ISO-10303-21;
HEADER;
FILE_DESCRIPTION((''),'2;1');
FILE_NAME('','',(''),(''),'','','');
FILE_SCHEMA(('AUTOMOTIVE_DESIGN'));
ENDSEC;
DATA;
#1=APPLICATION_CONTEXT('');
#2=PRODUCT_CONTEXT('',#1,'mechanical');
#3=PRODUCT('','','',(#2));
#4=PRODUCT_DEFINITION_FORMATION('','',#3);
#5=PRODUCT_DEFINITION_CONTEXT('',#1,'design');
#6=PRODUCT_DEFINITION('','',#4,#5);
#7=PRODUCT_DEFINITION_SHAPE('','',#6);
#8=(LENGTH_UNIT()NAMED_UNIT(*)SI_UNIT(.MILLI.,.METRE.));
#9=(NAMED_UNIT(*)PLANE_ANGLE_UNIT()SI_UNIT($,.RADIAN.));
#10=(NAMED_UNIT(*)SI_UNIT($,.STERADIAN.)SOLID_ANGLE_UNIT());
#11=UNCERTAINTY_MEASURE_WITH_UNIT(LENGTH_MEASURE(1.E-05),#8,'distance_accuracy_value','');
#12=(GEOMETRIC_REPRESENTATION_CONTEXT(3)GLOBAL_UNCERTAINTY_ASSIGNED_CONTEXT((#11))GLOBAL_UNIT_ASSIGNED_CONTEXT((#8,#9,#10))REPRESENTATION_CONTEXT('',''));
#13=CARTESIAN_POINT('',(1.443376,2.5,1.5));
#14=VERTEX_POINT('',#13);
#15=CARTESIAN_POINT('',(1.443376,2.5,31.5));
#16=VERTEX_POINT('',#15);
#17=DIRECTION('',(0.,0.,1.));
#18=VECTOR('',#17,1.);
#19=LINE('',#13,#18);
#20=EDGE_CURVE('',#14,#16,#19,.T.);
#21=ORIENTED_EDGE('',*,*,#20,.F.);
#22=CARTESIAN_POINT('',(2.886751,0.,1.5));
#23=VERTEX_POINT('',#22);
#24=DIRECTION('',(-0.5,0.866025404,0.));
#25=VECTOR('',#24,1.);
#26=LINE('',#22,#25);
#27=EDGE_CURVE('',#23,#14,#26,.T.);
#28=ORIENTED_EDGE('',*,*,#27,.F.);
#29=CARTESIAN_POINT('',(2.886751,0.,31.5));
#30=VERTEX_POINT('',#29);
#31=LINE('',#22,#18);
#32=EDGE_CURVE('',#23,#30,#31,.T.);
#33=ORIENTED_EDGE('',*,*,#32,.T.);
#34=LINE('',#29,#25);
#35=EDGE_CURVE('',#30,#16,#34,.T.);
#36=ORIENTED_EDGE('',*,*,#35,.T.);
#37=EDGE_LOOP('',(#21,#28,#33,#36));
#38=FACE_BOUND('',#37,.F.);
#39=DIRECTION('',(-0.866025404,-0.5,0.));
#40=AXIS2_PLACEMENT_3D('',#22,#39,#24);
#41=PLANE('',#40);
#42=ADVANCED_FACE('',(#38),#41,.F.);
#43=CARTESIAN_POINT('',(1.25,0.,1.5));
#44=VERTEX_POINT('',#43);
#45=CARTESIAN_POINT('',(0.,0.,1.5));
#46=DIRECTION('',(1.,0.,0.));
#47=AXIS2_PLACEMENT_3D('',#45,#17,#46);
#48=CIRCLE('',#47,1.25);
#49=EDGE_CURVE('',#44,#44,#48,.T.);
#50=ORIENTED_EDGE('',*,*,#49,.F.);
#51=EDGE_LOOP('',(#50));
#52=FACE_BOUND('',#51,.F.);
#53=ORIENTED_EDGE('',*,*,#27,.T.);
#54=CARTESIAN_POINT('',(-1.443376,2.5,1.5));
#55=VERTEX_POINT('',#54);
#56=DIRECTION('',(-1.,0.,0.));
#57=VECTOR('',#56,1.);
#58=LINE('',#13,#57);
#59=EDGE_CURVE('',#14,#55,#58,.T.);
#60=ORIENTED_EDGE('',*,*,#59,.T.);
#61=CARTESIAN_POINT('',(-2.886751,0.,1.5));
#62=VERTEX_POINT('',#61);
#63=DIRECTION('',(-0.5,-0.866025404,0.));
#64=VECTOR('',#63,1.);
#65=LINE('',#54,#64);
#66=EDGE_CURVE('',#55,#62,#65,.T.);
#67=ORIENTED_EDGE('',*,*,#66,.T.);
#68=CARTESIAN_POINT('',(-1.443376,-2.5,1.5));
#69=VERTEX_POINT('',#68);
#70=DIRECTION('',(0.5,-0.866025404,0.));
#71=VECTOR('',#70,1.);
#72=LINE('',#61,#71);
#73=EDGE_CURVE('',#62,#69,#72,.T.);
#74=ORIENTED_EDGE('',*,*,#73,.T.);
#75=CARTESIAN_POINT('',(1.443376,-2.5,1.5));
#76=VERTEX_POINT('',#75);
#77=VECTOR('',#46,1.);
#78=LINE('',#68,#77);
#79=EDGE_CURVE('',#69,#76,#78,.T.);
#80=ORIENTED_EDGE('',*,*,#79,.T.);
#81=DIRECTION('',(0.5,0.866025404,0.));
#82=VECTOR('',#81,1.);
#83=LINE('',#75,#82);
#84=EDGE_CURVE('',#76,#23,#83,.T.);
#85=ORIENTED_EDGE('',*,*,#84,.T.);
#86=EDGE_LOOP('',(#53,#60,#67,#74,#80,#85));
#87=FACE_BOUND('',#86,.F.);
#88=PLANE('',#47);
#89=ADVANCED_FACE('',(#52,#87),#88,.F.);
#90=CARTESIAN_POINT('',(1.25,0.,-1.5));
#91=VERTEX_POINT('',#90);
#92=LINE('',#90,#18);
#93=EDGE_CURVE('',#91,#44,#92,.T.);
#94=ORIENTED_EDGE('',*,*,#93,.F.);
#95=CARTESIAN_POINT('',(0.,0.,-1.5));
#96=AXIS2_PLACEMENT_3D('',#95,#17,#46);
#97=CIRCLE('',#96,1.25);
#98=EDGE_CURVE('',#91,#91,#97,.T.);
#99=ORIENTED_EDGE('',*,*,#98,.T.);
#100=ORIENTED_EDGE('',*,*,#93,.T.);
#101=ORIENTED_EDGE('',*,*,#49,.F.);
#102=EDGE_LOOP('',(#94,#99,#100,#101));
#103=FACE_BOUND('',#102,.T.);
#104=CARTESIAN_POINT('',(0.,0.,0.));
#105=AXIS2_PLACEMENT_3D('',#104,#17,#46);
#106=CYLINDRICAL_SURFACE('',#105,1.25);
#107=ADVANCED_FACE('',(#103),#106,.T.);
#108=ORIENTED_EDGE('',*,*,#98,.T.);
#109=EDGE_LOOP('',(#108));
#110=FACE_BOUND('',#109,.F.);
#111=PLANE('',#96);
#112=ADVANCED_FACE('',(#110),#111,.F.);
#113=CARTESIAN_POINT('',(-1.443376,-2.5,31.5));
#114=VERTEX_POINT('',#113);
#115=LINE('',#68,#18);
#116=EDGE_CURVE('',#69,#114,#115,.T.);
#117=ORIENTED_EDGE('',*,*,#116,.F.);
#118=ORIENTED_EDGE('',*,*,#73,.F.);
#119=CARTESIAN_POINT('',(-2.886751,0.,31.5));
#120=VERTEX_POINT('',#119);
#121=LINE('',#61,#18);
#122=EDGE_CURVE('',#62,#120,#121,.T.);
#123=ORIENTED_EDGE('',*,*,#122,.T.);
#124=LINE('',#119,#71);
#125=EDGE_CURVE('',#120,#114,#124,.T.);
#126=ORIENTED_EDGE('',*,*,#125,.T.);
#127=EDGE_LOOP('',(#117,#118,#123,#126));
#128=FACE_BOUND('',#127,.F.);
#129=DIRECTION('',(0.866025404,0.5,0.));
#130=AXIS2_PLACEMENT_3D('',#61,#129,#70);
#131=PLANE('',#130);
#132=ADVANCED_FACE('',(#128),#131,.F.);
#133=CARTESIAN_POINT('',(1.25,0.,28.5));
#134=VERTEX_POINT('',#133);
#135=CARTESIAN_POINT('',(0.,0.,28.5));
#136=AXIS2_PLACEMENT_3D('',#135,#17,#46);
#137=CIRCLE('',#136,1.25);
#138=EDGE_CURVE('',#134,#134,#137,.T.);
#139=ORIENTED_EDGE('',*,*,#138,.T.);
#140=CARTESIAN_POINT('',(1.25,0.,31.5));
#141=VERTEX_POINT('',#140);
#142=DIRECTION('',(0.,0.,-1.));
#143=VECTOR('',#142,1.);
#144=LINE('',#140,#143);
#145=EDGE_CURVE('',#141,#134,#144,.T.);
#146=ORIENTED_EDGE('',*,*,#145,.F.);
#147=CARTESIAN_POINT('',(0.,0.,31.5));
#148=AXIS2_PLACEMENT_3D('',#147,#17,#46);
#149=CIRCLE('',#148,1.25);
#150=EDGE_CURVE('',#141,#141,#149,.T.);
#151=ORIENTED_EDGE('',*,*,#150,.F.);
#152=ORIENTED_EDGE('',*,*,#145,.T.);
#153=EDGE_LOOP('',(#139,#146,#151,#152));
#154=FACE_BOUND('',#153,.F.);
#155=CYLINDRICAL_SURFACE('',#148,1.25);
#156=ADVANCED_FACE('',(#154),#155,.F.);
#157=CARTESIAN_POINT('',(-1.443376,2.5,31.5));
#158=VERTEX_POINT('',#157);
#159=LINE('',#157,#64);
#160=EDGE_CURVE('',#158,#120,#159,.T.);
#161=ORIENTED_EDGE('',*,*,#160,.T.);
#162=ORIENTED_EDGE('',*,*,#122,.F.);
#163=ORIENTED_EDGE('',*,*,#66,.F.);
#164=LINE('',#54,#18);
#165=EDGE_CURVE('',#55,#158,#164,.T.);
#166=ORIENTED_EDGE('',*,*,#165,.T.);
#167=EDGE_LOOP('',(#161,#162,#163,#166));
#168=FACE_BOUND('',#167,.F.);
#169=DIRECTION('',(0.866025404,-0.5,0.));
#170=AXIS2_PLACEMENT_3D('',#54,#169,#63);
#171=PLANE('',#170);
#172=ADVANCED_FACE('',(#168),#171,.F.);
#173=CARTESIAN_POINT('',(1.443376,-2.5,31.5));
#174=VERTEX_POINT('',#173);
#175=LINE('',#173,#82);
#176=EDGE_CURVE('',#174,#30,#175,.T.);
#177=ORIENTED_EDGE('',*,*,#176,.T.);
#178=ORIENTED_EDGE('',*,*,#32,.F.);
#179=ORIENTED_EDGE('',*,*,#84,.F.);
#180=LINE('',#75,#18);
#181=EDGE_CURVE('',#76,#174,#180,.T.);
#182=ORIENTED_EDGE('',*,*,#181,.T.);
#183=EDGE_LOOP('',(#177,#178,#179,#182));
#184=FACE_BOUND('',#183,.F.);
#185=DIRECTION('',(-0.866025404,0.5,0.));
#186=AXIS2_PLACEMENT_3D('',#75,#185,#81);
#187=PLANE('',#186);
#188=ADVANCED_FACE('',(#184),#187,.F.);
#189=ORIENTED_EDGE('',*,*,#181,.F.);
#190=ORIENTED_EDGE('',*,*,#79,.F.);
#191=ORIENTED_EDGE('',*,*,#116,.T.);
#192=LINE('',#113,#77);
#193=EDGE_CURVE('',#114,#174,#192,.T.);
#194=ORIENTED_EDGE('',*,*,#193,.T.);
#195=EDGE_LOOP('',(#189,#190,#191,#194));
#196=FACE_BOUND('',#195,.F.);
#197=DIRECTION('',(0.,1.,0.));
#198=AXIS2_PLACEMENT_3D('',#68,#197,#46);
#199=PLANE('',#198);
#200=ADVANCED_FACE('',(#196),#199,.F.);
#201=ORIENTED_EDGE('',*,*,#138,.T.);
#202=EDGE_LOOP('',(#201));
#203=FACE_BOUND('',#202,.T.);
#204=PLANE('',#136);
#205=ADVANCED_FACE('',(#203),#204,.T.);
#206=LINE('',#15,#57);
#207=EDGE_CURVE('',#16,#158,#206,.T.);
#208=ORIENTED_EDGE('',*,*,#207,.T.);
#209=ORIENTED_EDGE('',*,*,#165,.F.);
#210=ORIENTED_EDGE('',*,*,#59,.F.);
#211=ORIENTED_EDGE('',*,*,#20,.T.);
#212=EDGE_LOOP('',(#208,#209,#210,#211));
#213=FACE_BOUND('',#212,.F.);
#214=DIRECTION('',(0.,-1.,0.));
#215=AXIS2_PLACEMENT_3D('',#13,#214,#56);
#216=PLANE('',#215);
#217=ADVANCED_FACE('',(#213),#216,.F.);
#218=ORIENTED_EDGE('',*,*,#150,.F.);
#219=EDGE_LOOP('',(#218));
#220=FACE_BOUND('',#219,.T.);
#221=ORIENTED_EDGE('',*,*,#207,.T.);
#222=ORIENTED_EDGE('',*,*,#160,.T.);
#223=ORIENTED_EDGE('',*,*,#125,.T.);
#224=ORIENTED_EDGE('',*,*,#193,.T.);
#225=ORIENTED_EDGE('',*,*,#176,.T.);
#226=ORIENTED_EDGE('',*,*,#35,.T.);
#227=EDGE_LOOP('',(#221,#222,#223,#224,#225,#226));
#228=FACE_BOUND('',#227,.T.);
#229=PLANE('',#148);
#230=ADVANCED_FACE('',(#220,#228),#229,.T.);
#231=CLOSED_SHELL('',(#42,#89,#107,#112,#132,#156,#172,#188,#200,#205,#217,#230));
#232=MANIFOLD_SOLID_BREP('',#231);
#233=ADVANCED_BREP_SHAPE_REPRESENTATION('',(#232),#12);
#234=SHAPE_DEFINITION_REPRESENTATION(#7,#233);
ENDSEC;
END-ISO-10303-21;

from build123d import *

# Parameters (mm, degrees)
F0_R     = 1.25
F1_DEPTH = 1.5
F2_R     = 1.25
F3_DEPTH = 30
F4_R     = 1.25
F5_DEPTH = 3


with BuildPart() as f1:
    # F0 (on Top) → F1 (new body, symmetric)
    with BuildSketch(Plane.XY):
        Circle(F0_R)
    extrude(amount=F1_DEPTH, both=True)

    # F2 (on face) → F3 (join)
    with BuildSketch(Plane.XY.offset(1.5)):
        Polygon((-1.443375673, -2.5), (1.443375673, -2.5), (2.8867513459, 0), (1.443375673, 2.5), (-1.443375673, 2.5), (-2.8867513459, 0), align=None)
        Circle(F2_R, mode=Mode.SUBTRACT)
        Circle(F2_R)
    extrude(amount=F3_DEPTH)

    # F4 (on face) → F5 (cut)
    with BuildSketch(Plane.XY.offset(31.5)):
        Circle(F4_R)
    extrude(amount=-F5_DEPTH, mode=Mode.SUBTRACT)


solid = f1.part
